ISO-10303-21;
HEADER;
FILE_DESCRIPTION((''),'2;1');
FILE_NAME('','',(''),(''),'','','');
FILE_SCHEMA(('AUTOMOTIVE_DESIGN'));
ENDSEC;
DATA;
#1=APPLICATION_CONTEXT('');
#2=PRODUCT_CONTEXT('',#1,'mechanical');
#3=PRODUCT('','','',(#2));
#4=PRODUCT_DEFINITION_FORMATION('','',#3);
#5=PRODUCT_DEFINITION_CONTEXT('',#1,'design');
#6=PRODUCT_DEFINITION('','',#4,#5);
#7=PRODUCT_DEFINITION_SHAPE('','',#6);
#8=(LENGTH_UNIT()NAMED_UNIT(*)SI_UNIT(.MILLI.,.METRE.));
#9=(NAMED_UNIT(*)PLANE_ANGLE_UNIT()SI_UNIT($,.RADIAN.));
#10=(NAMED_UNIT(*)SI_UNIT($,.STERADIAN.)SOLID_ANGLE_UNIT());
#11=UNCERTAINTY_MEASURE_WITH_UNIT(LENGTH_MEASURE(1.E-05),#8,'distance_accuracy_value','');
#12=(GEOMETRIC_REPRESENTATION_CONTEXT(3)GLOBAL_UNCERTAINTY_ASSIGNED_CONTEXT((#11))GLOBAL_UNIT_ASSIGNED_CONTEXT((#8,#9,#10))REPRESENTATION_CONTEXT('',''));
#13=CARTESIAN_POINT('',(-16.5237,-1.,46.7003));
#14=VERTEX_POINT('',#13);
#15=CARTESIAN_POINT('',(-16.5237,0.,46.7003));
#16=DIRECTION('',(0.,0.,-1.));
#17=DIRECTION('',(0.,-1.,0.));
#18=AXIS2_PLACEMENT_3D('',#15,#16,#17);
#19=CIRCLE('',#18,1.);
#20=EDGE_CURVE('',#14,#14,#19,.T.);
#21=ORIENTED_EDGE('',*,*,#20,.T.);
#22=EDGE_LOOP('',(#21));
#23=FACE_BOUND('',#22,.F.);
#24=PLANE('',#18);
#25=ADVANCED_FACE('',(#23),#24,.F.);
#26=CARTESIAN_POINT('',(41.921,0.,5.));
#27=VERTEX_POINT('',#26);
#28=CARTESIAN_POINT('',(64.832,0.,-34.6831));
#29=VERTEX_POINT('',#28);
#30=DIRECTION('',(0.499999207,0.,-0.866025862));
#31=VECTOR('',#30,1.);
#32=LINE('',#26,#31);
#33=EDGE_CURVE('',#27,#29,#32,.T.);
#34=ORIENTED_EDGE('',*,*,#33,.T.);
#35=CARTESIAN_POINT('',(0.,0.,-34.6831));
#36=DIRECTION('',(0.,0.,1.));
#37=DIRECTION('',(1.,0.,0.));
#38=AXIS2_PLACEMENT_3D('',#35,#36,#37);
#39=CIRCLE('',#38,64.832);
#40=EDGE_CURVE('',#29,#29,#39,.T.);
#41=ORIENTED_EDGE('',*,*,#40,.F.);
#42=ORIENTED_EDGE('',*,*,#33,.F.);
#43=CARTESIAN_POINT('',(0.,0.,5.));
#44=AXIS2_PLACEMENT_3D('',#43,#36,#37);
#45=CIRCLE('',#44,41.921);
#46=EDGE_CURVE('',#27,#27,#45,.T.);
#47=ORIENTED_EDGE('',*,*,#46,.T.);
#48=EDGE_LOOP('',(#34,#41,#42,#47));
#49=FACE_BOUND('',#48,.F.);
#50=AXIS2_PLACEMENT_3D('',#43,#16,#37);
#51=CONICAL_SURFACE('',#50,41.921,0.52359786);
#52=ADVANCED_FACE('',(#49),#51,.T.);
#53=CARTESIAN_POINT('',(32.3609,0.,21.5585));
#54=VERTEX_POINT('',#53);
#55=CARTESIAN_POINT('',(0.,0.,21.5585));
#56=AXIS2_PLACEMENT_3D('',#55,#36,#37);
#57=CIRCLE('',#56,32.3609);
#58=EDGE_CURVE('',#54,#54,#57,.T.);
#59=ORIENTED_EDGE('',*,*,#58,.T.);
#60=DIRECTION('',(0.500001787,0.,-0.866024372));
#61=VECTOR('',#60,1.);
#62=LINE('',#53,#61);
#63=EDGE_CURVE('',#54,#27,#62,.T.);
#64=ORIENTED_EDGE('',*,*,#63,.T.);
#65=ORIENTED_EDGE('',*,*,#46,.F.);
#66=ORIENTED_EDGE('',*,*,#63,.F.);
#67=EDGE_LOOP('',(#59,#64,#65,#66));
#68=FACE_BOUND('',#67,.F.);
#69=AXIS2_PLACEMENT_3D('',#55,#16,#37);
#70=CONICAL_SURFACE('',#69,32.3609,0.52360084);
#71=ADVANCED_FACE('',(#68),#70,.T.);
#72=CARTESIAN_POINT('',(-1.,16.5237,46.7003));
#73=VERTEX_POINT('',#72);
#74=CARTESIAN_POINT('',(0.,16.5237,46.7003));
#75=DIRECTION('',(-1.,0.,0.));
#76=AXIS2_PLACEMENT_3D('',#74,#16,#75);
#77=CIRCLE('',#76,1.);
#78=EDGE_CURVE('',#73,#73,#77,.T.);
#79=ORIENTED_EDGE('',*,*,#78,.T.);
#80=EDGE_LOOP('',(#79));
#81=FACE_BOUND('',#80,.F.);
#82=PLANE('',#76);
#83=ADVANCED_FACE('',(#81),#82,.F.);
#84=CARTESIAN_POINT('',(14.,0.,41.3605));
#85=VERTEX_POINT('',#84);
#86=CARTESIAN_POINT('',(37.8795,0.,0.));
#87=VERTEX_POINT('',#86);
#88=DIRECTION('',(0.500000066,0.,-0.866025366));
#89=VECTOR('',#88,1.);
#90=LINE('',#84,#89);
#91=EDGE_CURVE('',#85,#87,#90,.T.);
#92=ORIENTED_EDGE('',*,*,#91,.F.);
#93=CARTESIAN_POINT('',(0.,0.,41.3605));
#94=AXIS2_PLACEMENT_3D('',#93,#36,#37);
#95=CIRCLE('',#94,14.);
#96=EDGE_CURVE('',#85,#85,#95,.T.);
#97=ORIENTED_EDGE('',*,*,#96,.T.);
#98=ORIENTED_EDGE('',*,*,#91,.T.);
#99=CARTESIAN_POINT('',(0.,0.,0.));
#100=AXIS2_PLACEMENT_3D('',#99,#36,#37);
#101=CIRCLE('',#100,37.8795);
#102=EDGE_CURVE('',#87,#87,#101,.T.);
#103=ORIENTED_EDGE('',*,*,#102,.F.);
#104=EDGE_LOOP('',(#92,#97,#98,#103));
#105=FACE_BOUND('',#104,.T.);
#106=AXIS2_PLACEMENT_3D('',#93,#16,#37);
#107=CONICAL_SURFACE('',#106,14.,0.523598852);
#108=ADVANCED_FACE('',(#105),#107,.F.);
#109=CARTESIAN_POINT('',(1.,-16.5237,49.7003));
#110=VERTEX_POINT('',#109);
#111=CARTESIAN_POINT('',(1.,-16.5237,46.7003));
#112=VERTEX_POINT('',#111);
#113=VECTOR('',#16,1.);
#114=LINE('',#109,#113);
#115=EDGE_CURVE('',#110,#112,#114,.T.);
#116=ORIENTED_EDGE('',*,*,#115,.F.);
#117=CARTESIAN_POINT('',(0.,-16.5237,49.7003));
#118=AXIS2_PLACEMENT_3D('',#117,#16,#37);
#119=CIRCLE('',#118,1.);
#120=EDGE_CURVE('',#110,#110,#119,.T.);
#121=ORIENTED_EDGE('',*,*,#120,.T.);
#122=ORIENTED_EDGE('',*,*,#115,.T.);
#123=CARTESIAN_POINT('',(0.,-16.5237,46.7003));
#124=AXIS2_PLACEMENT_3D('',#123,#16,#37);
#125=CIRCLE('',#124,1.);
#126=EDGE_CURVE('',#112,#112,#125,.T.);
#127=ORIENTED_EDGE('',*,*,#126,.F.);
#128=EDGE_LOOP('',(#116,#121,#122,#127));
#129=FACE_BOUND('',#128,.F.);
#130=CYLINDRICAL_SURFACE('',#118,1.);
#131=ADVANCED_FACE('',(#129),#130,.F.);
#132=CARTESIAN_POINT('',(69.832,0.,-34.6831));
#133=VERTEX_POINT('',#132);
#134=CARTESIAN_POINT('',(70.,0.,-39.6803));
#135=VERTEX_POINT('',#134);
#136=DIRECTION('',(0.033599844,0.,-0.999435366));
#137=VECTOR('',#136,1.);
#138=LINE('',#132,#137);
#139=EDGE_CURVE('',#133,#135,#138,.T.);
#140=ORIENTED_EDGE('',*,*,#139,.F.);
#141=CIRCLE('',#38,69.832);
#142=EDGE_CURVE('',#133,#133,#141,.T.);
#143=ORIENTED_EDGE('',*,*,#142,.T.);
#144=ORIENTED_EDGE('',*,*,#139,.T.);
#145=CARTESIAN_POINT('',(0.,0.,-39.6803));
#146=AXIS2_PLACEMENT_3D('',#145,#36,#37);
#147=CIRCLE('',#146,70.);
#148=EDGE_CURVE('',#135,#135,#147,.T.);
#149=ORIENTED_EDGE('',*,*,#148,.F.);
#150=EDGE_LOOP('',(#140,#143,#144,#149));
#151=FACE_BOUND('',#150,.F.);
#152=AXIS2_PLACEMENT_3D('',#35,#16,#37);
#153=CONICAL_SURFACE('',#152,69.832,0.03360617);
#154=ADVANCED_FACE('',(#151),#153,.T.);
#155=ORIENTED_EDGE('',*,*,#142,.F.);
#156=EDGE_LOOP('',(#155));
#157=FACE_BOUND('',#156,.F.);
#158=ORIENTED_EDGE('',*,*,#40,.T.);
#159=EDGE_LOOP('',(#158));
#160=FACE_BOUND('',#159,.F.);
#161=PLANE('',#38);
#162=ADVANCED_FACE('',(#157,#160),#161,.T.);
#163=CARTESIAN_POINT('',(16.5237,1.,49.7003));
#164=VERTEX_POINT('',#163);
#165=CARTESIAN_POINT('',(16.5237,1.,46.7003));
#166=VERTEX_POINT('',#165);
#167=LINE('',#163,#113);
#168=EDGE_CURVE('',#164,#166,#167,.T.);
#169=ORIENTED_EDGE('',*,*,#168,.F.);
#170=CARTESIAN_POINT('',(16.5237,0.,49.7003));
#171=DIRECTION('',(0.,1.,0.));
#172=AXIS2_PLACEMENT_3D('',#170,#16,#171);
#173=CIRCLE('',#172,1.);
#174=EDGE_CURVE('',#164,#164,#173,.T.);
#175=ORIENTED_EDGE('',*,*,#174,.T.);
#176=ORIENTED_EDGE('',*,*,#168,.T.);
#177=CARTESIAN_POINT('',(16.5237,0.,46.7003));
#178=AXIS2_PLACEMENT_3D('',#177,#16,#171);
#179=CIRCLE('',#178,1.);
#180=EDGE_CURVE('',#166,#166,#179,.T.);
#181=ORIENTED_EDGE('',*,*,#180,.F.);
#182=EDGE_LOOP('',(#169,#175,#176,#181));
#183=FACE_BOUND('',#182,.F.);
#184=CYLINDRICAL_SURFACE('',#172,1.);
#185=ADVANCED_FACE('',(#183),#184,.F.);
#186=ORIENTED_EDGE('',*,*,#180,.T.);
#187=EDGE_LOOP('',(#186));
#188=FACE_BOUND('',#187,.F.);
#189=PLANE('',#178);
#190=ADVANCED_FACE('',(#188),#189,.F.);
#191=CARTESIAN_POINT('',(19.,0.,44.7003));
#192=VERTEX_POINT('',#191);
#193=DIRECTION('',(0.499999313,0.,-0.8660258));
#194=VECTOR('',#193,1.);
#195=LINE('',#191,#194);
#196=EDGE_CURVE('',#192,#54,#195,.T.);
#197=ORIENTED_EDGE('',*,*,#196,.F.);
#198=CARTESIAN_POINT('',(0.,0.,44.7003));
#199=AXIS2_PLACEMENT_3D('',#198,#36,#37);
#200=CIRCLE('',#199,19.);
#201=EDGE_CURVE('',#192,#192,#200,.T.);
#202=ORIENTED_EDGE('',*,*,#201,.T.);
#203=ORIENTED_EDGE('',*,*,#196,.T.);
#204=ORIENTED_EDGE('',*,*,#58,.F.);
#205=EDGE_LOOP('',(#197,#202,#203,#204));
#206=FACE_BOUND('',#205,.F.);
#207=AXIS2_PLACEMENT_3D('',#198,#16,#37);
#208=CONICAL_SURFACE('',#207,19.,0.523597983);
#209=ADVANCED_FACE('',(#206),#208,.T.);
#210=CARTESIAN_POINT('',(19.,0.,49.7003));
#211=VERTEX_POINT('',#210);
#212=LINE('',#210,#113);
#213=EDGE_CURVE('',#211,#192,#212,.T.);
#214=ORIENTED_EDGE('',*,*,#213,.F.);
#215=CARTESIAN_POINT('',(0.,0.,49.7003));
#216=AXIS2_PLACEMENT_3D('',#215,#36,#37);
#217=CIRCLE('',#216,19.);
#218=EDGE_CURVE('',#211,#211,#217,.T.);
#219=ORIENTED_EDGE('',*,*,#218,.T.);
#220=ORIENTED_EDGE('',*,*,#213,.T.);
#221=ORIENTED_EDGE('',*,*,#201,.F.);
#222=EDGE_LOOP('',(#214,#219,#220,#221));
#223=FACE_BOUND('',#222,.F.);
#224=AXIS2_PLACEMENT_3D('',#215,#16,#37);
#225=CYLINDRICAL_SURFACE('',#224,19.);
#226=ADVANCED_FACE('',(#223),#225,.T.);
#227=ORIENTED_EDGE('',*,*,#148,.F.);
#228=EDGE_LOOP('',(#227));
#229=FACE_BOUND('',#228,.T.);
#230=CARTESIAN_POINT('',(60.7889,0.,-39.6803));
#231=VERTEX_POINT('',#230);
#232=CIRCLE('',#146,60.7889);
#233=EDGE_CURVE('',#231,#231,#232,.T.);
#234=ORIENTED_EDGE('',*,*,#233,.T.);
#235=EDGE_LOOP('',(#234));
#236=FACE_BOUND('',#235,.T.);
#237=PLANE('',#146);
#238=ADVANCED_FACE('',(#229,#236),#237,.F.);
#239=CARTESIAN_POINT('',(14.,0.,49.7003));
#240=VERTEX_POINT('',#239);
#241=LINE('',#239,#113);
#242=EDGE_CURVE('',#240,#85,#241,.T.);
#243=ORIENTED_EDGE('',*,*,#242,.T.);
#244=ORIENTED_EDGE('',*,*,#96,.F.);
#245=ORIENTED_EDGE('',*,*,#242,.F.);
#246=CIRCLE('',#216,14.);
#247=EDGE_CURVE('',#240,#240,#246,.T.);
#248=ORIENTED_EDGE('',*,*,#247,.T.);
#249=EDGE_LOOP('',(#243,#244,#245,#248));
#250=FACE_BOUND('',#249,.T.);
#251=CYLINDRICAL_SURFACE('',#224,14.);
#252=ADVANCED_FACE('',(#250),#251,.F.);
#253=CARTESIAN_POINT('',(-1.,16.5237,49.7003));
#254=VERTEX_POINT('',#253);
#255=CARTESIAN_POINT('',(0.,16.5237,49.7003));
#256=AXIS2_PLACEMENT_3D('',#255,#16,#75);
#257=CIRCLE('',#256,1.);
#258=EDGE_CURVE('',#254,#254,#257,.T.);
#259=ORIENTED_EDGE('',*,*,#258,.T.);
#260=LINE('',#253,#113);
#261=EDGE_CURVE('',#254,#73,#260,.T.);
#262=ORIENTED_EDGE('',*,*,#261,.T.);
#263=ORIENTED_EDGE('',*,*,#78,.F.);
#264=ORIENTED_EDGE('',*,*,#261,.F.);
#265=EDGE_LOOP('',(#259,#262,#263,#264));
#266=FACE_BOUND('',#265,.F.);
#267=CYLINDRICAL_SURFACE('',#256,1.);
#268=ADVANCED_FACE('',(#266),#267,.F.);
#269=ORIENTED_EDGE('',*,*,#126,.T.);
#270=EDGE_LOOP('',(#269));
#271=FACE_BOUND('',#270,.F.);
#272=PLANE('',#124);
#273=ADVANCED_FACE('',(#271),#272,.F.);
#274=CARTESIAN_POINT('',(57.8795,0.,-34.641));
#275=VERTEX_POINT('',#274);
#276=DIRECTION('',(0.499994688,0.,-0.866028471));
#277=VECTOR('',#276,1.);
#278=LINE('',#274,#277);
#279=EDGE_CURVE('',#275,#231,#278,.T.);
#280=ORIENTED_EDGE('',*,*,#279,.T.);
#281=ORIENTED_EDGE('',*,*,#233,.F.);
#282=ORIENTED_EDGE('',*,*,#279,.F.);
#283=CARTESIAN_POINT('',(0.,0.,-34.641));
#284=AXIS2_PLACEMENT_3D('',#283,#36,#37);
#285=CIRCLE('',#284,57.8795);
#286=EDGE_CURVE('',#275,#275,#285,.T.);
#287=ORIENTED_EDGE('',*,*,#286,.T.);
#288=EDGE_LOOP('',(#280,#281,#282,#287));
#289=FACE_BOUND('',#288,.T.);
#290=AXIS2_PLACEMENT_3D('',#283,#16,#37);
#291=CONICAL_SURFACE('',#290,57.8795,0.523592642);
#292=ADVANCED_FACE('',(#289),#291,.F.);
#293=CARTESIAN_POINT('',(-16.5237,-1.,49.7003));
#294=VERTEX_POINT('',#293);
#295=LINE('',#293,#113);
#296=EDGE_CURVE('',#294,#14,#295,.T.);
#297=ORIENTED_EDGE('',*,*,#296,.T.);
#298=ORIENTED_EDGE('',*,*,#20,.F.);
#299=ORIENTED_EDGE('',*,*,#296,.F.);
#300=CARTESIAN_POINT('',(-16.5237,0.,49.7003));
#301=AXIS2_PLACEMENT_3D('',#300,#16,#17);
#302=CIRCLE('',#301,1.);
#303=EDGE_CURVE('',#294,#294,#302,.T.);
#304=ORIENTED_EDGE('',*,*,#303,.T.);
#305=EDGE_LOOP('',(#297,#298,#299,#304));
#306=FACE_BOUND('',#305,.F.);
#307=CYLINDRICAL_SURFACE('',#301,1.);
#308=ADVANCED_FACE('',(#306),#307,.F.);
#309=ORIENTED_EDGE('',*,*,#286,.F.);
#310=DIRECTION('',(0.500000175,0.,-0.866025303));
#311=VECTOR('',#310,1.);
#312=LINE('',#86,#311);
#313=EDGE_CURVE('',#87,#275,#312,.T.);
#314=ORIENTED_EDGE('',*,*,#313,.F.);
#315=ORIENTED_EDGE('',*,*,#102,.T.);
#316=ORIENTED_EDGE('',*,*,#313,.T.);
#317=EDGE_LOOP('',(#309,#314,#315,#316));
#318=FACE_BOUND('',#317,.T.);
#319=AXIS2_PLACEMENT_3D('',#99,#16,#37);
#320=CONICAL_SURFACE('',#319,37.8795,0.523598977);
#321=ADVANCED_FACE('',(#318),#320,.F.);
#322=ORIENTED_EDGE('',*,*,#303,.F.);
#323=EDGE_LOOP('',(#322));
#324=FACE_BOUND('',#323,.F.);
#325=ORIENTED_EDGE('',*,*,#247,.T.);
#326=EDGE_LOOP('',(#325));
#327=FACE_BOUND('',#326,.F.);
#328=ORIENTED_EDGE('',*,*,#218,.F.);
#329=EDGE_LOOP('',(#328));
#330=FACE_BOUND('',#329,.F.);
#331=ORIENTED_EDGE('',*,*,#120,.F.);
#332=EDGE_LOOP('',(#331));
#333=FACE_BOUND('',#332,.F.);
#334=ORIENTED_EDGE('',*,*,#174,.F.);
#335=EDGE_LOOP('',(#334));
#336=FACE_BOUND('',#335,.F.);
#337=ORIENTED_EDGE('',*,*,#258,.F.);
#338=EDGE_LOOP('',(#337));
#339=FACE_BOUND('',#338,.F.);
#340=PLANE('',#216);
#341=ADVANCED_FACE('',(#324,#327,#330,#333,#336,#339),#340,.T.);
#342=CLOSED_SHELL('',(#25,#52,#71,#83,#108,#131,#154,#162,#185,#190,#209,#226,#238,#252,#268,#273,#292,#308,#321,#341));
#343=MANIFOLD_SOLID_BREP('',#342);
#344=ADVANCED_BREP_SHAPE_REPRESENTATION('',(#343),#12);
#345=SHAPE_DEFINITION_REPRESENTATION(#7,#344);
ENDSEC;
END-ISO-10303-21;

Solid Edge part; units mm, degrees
sketch "Sketch1" plane through (0, 0, 0) normal (0, -1, 0) x (1, 0, 0)
  line L0 (19, 44.7003) -> (32.3609, 21.5585)
  line L1 (32.3609, 21.5585) -> (41.921, 5)
  line L2 (41.921, 5) -> (64.832, -34.6831)
  line L3 (64.832, -34.6831) -> (69.832, -34.6831)
  line L4 (69.832, -34.6831) -> (70, -39.6803)
  line L5 (60.7889, -39.6803) -> (70, -39.6803)
  line L6 (57.8795, -34.641) -> (60.7889, -39.6803)
  line L7 (37.8795, 0) -> (57.8795, -34.641)
  line L8 (14, 41.3605) -> (37.8795, 0)
  line L9 (14, 49.7003) -> (14, 41.3605)
  line L10 (14, 49.7003) -> (19, 49.7003)
  line L11 (19, 49.7003) -> (19, 44.7003)
revolve "RevolvedProtrusion1" add sketch "Sketch1" angle 360 about axis through (0, 0, 0) along (0, 0, 1)
hole "Agujero_1" at (-16.5237, 0, 49.7003) direction (0, 0, -1) diameter 2 depth 3 thread major 2 thread length 2
pattern_circular "Pattern1" count 4 over 360 about axis through (0, 0, 49.7003) along (0, 0, -1) of "Agujero_1"
